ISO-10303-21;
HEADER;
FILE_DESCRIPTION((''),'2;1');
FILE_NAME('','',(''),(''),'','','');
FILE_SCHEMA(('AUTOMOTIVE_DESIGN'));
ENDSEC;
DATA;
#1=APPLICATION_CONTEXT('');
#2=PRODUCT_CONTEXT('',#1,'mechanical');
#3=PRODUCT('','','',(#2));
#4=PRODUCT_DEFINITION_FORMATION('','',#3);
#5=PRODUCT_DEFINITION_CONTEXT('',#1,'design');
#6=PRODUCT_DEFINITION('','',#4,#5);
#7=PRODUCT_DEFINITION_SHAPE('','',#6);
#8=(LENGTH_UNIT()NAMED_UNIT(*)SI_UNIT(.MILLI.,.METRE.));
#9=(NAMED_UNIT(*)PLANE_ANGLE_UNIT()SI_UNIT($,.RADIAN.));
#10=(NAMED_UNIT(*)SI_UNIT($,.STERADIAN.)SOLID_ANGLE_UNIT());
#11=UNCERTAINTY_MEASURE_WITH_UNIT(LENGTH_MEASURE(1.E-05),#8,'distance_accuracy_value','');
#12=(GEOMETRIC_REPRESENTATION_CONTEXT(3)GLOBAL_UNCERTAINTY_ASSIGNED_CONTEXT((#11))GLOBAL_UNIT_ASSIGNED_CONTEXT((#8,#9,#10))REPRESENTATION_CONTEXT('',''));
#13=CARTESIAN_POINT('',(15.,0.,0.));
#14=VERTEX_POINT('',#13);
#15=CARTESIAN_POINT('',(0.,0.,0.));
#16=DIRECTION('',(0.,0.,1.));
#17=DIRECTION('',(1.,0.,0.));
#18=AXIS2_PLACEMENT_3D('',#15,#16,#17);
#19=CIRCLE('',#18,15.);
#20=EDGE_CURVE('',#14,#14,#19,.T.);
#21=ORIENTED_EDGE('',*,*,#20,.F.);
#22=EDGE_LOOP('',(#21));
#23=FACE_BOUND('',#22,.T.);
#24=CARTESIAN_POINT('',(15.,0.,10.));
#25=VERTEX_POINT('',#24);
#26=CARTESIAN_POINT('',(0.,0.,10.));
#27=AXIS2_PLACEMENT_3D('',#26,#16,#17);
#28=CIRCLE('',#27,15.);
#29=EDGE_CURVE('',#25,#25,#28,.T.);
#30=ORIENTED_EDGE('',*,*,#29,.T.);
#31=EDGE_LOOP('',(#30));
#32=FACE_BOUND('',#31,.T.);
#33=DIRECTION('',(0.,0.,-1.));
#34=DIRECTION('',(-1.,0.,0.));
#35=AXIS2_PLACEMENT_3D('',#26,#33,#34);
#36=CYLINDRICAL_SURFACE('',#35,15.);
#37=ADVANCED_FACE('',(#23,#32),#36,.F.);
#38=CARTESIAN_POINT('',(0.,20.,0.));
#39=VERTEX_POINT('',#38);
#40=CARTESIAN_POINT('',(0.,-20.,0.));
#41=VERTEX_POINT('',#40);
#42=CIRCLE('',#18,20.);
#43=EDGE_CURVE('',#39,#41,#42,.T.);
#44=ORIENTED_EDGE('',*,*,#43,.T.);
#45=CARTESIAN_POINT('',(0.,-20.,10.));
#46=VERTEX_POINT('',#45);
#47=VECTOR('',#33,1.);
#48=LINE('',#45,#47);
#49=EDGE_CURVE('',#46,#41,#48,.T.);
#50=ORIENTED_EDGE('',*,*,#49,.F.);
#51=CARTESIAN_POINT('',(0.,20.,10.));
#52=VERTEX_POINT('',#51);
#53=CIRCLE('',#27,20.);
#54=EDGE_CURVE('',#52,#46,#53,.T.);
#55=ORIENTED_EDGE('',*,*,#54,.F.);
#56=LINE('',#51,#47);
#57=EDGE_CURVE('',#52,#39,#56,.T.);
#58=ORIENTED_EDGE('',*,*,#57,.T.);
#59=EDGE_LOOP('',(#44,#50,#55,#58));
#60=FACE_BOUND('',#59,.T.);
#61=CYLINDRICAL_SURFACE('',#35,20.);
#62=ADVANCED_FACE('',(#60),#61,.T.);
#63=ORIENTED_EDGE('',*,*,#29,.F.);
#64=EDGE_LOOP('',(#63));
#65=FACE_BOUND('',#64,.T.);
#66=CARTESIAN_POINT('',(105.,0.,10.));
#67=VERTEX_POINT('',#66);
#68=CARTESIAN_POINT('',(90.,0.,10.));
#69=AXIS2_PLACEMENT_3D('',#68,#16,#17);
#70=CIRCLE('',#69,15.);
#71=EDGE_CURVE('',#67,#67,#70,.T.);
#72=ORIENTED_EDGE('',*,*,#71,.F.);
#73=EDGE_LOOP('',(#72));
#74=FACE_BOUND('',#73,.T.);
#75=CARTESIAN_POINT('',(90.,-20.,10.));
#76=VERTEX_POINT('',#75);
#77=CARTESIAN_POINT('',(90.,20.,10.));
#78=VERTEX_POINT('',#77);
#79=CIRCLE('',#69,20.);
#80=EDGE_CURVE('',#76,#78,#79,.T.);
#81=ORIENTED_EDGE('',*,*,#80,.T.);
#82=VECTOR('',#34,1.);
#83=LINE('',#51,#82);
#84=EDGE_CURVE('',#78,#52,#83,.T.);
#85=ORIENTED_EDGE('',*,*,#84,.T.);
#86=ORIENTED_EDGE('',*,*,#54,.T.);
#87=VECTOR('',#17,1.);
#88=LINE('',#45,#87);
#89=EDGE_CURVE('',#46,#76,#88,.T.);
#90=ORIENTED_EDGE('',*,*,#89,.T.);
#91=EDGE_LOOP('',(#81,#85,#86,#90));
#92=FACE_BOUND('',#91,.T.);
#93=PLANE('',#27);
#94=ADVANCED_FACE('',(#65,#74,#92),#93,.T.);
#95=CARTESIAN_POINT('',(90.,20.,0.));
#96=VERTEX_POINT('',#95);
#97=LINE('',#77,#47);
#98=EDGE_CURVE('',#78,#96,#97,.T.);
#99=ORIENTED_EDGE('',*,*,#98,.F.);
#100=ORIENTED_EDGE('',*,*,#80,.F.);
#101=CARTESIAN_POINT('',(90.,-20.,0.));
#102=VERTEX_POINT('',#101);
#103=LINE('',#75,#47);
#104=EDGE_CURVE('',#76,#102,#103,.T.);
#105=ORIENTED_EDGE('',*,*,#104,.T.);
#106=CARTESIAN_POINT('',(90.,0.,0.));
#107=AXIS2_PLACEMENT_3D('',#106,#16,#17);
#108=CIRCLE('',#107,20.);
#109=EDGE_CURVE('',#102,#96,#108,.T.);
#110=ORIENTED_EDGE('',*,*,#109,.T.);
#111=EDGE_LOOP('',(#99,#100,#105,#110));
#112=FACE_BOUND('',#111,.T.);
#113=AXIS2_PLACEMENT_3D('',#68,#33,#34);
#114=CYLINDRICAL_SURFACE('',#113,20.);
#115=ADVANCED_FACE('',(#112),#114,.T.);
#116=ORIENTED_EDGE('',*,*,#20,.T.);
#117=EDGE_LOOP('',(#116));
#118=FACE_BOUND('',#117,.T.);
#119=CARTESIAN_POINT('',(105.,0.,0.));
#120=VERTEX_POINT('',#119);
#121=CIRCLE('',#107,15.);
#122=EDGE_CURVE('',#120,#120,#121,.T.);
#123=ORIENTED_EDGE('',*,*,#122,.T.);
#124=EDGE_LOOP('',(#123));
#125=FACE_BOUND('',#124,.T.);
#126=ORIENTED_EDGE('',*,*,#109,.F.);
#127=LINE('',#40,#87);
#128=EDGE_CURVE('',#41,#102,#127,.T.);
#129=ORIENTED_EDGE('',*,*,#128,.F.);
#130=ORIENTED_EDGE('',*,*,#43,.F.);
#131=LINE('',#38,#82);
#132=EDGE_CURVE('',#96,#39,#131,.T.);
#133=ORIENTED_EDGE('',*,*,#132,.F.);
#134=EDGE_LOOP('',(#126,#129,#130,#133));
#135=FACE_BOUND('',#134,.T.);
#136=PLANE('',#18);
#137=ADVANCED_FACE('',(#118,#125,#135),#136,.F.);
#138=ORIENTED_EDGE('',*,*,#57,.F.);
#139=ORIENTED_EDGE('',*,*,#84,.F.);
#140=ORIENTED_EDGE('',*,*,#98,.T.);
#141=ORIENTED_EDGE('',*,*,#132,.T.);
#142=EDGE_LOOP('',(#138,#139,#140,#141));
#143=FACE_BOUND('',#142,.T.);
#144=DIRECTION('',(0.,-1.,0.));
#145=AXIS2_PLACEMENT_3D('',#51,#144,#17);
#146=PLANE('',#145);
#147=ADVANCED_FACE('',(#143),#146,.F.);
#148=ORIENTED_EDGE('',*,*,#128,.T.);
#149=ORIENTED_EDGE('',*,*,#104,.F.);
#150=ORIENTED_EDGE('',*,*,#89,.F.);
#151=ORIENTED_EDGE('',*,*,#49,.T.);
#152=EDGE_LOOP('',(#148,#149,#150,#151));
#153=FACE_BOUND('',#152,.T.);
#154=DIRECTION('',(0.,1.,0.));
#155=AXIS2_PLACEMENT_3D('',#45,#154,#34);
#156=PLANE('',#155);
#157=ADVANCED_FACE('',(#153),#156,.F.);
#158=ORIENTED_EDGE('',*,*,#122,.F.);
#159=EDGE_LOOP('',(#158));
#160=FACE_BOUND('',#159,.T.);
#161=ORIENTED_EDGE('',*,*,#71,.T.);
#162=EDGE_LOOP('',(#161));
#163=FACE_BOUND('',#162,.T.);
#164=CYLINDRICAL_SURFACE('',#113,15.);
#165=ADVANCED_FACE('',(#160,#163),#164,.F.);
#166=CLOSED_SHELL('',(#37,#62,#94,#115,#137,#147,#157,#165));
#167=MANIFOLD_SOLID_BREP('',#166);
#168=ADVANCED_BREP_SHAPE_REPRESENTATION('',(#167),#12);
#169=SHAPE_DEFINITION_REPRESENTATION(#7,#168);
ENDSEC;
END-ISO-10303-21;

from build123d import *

# Parameters (mm, degrees)
SKETCH_1_R      = 15
EXTRUDE_2_DEPTH = 10


with BuildPart() as part:
    # Эскиз1 → Бобышка-Вытянуть2 (new body)
    with BuildSketch(Plane.XY):
        with BuildLine():
            Line((0, 20), (90, 20))
            ThreePointArc((90, 20), (110, 0), (90, -20))
            Line((90, -20), (0, -20))
            ThreePointArc((0, -20), (-20, 0), (0, 20))
        make_face()
        Circle(SKETCH_1_R, mode=Mode.SUBTRACT)
        with Locations((90, 0)):
            Circle(SKETCH_1_R, mode=Mode.SUBTRACT)
    extrude(amount=EXTRUDE_2_DEPTH)


solid = part.part
